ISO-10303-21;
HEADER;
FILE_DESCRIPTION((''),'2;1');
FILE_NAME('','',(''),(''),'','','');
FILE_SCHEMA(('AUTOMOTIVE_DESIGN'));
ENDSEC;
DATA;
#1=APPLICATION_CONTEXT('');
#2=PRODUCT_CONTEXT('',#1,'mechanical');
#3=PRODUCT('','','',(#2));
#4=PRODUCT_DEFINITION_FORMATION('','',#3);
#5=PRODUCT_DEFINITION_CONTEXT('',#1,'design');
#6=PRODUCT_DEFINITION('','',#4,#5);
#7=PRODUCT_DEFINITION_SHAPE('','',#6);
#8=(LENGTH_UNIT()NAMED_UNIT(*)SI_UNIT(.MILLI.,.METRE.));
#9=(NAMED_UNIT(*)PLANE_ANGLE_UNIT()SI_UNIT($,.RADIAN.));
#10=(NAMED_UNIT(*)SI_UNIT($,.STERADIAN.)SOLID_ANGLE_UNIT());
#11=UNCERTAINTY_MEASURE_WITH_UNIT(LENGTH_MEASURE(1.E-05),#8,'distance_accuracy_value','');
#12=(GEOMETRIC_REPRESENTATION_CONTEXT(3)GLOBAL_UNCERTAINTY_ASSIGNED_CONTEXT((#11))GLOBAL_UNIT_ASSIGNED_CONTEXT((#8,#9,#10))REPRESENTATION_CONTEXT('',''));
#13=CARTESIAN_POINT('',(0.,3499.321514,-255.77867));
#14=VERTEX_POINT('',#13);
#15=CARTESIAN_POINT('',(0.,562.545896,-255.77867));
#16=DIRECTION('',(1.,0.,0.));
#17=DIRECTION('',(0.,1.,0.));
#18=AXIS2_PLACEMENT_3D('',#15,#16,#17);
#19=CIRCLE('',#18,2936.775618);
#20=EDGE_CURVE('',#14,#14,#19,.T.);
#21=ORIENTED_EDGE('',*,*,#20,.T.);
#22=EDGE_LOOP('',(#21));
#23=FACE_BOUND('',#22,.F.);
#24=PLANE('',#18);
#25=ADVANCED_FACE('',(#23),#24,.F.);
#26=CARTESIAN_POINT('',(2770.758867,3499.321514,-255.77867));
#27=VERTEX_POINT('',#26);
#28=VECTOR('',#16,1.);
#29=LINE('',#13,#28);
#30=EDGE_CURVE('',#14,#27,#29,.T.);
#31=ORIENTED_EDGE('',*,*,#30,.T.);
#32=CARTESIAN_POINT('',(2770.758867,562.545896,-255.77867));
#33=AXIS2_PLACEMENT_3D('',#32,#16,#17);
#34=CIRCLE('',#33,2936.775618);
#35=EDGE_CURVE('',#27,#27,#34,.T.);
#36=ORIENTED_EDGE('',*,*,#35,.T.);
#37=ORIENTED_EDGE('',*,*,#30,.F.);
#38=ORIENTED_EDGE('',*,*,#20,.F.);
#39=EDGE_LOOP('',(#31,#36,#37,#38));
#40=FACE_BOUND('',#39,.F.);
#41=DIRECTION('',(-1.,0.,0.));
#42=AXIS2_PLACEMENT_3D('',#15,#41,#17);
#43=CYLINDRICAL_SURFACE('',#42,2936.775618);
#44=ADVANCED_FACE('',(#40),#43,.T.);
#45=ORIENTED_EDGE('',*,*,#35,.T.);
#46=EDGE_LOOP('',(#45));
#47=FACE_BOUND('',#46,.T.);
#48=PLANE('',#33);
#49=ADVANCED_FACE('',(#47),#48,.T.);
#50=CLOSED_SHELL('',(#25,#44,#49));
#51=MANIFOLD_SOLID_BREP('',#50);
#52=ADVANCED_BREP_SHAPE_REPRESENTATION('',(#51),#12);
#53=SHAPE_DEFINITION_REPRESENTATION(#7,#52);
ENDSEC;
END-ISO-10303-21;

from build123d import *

# Parameters (mm, degrees)
F0_R     = 2936.775618371
F0_R_2   = 197.3864165544
F1_DEPTH = 2770.7588672638


with BuildPart() as f1:
    # F0 (on Right) → F1 (new body)
    with BuildSketch(Plane.YZ):
        with Locations((562.5458955765, -255.778670311)):
            Circle(F0_R)
        with Locations((-326.447725296, 173.2047945261)):
            Circle(F0_R_2, mode=Mode.SUBTRACT)
        with Locations((-326.447725296, 173.2047945261)):
            Circle(F0_R_2)
    extrude(amount=F1_DEPTH)


solid = f1.part
